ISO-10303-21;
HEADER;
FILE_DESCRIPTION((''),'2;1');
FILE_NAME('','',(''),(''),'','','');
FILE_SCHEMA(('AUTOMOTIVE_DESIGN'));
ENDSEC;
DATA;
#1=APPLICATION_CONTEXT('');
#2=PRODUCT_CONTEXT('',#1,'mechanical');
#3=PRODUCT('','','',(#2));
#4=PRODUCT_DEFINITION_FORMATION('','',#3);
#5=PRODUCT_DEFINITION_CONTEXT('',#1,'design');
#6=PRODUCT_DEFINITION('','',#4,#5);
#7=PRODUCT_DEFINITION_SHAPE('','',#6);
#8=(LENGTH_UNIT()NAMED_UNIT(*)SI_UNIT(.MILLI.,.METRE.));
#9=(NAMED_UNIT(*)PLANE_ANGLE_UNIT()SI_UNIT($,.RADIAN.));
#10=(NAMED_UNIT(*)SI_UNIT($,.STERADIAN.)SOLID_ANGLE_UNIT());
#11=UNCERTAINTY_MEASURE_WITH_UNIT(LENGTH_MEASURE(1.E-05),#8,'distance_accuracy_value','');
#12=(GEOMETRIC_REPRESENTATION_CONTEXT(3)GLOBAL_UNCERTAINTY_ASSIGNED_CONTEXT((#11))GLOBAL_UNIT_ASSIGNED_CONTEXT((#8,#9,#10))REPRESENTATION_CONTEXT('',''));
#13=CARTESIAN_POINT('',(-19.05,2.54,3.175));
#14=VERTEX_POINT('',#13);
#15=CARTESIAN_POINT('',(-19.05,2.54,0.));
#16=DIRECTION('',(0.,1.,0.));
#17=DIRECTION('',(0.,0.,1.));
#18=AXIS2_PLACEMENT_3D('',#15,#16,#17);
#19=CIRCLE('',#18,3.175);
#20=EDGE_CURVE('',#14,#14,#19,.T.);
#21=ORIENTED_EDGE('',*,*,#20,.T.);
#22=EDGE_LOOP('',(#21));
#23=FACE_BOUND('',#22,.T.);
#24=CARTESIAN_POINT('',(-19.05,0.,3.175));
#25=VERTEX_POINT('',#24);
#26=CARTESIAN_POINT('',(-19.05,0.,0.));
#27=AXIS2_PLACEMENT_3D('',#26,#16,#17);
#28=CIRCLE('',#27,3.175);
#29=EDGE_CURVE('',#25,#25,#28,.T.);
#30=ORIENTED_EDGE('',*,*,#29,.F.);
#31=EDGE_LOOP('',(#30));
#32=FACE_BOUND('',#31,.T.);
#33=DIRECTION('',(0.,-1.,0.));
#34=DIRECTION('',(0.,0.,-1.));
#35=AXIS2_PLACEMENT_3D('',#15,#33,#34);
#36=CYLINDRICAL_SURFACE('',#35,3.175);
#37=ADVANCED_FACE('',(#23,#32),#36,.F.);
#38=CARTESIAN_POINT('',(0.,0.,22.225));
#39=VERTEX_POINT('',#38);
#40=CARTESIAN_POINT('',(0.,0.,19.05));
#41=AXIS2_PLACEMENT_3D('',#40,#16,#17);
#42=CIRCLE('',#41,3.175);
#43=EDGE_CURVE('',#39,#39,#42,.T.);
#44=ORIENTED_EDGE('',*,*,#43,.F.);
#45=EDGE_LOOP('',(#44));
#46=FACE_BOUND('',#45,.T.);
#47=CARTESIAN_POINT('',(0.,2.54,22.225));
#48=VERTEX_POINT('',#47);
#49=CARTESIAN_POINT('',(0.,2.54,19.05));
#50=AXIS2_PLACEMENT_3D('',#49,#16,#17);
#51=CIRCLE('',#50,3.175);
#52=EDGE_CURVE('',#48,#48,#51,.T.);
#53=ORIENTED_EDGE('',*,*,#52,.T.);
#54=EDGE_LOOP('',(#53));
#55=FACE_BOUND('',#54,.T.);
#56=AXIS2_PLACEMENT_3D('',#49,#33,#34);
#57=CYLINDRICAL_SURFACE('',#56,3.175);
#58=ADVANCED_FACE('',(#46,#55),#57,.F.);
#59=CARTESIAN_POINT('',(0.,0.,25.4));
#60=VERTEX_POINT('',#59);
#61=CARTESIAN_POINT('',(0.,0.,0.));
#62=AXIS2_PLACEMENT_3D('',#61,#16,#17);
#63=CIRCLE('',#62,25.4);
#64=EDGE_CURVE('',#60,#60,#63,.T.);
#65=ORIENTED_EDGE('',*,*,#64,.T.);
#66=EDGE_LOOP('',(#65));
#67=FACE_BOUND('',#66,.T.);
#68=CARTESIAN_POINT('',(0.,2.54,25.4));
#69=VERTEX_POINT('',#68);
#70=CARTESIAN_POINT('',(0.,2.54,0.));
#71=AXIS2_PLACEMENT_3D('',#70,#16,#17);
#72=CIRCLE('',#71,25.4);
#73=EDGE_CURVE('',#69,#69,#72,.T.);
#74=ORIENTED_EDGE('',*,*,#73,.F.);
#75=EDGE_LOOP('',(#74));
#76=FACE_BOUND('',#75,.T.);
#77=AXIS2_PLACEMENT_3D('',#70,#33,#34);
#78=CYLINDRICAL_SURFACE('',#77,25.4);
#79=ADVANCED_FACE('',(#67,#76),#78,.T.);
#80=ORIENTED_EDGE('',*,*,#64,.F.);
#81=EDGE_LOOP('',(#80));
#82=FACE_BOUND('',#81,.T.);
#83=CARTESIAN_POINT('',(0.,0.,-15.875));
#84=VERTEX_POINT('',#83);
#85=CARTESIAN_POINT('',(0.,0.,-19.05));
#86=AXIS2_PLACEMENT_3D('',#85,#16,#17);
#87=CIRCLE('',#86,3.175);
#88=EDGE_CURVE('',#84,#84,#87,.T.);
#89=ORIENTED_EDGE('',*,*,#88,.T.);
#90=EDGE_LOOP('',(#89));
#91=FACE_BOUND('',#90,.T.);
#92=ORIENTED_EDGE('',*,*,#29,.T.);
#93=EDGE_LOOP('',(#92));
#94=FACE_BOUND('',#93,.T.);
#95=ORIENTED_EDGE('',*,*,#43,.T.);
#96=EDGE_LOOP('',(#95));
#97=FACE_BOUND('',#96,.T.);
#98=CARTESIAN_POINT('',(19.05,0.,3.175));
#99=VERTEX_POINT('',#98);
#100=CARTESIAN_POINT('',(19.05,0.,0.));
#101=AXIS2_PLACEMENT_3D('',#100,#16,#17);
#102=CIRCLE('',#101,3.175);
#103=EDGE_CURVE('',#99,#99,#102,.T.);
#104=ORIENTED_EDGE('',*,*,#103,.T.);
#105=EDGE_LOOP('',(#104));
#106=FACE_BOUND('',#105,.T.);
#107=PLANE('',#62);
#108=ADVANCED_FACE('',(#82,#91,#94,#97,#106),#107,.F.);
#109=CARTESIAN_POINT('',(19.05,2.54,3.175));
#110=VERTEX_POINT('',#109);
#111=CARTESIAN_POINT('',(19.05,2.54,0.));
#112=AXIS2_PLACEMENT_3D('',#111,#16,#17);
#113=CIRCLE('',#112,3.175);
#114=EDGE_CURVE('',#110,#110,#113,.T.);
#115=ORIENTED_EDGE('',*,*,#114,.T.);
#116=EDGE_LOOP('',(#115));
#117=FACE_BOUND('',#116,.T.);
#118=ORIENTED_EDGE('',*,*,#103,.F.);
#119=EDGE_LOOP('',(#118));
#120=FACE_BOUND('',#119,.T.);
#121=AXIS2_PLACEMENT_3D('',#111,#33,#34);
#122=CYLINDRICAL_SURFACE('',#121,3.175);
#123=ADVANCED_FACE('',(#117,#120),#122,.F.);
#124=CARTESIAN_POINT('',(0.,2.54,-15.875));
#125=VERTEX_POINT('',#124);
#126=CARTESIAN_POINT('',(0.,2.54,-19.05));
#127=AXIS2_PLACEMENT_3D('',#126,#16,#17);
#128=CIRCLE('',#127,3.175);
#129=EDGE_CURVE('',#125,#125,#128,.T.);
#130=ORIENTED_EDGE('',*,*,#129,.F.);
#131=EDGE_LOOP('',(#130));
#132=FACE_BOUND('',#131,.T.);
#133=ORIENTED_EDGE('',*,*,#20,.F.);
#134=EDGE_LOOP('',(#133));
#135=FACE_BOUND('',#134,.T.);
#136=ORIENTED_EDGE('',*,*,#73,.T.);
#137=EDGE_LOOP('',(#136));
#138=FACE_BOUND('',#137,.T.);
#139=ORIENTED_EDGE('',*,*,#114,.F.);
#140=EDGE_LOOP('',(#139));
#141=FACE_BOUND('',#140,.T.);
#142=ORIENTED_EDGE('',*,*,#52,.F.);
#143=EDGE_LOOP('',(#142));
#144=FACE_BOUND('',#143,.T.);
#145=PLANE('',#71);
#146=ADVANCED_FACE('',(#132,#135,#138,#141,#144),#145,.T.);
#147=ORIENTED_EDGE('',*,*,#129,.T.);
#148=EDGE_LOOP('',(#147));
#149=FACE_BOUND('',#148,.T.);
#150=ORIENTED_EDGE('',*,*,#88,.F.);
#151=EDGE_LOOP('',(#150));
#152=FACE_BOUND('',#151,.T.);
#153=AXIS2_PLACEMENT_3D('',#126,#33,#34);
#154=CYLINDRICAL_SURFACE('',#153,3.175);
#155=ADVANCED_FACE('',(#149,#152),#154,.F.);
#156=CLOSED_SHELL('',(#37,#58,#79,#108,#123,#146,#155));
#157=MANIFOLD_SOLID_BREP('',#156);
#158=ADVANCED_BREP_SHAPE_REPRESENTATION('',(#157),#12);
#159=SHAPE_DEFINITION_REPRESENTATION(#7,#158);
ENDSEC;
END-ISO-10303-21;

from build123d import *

# Parameters (mm, degrees)
SKETCH1_R           = 25.4
SKETCH1_R_2         = 3.175
BOSS_EXTRUDE1_DEPTH = 2.54


with BuildPart() as part:
    # Sketch1 → Boss-Extrude1 (new body)
    with BuildSketch(Plane(origin=(0, 0, 0), x_dir=(1, 0, 0), z_dir=(0, 1, 0))):
        with Locations(Location((0, 0, 0), (0, 0, 270))):
            Circle(SKETCH1_R)
        with Locations(Location((0, 19.05, 0), (0, 0, 270))):
            Circle(SKETCH1_R_2, mode=Mode.SUBTRACT)
        with Locations(Location((19.05, 0, 0), (0, 0, 270))):
            Circle(SKETCH1_R_2, mode=Mode.SUBTRACT)
        with Locations(Location((0, -19.05, 0), (0, 0, 270))):
            Circle(SKETCH1_R_2, mode=Mode.SUBTRACT)
        with Locations(Location((-19.05, 0, 0), (0, 0, 270))):
            Circle(SKETCH1_R_2, mode=Mode.SUBTRACT)
    extrude(amount=BOSS_EXTRUDE1_DEPTH)


solid = part.part
